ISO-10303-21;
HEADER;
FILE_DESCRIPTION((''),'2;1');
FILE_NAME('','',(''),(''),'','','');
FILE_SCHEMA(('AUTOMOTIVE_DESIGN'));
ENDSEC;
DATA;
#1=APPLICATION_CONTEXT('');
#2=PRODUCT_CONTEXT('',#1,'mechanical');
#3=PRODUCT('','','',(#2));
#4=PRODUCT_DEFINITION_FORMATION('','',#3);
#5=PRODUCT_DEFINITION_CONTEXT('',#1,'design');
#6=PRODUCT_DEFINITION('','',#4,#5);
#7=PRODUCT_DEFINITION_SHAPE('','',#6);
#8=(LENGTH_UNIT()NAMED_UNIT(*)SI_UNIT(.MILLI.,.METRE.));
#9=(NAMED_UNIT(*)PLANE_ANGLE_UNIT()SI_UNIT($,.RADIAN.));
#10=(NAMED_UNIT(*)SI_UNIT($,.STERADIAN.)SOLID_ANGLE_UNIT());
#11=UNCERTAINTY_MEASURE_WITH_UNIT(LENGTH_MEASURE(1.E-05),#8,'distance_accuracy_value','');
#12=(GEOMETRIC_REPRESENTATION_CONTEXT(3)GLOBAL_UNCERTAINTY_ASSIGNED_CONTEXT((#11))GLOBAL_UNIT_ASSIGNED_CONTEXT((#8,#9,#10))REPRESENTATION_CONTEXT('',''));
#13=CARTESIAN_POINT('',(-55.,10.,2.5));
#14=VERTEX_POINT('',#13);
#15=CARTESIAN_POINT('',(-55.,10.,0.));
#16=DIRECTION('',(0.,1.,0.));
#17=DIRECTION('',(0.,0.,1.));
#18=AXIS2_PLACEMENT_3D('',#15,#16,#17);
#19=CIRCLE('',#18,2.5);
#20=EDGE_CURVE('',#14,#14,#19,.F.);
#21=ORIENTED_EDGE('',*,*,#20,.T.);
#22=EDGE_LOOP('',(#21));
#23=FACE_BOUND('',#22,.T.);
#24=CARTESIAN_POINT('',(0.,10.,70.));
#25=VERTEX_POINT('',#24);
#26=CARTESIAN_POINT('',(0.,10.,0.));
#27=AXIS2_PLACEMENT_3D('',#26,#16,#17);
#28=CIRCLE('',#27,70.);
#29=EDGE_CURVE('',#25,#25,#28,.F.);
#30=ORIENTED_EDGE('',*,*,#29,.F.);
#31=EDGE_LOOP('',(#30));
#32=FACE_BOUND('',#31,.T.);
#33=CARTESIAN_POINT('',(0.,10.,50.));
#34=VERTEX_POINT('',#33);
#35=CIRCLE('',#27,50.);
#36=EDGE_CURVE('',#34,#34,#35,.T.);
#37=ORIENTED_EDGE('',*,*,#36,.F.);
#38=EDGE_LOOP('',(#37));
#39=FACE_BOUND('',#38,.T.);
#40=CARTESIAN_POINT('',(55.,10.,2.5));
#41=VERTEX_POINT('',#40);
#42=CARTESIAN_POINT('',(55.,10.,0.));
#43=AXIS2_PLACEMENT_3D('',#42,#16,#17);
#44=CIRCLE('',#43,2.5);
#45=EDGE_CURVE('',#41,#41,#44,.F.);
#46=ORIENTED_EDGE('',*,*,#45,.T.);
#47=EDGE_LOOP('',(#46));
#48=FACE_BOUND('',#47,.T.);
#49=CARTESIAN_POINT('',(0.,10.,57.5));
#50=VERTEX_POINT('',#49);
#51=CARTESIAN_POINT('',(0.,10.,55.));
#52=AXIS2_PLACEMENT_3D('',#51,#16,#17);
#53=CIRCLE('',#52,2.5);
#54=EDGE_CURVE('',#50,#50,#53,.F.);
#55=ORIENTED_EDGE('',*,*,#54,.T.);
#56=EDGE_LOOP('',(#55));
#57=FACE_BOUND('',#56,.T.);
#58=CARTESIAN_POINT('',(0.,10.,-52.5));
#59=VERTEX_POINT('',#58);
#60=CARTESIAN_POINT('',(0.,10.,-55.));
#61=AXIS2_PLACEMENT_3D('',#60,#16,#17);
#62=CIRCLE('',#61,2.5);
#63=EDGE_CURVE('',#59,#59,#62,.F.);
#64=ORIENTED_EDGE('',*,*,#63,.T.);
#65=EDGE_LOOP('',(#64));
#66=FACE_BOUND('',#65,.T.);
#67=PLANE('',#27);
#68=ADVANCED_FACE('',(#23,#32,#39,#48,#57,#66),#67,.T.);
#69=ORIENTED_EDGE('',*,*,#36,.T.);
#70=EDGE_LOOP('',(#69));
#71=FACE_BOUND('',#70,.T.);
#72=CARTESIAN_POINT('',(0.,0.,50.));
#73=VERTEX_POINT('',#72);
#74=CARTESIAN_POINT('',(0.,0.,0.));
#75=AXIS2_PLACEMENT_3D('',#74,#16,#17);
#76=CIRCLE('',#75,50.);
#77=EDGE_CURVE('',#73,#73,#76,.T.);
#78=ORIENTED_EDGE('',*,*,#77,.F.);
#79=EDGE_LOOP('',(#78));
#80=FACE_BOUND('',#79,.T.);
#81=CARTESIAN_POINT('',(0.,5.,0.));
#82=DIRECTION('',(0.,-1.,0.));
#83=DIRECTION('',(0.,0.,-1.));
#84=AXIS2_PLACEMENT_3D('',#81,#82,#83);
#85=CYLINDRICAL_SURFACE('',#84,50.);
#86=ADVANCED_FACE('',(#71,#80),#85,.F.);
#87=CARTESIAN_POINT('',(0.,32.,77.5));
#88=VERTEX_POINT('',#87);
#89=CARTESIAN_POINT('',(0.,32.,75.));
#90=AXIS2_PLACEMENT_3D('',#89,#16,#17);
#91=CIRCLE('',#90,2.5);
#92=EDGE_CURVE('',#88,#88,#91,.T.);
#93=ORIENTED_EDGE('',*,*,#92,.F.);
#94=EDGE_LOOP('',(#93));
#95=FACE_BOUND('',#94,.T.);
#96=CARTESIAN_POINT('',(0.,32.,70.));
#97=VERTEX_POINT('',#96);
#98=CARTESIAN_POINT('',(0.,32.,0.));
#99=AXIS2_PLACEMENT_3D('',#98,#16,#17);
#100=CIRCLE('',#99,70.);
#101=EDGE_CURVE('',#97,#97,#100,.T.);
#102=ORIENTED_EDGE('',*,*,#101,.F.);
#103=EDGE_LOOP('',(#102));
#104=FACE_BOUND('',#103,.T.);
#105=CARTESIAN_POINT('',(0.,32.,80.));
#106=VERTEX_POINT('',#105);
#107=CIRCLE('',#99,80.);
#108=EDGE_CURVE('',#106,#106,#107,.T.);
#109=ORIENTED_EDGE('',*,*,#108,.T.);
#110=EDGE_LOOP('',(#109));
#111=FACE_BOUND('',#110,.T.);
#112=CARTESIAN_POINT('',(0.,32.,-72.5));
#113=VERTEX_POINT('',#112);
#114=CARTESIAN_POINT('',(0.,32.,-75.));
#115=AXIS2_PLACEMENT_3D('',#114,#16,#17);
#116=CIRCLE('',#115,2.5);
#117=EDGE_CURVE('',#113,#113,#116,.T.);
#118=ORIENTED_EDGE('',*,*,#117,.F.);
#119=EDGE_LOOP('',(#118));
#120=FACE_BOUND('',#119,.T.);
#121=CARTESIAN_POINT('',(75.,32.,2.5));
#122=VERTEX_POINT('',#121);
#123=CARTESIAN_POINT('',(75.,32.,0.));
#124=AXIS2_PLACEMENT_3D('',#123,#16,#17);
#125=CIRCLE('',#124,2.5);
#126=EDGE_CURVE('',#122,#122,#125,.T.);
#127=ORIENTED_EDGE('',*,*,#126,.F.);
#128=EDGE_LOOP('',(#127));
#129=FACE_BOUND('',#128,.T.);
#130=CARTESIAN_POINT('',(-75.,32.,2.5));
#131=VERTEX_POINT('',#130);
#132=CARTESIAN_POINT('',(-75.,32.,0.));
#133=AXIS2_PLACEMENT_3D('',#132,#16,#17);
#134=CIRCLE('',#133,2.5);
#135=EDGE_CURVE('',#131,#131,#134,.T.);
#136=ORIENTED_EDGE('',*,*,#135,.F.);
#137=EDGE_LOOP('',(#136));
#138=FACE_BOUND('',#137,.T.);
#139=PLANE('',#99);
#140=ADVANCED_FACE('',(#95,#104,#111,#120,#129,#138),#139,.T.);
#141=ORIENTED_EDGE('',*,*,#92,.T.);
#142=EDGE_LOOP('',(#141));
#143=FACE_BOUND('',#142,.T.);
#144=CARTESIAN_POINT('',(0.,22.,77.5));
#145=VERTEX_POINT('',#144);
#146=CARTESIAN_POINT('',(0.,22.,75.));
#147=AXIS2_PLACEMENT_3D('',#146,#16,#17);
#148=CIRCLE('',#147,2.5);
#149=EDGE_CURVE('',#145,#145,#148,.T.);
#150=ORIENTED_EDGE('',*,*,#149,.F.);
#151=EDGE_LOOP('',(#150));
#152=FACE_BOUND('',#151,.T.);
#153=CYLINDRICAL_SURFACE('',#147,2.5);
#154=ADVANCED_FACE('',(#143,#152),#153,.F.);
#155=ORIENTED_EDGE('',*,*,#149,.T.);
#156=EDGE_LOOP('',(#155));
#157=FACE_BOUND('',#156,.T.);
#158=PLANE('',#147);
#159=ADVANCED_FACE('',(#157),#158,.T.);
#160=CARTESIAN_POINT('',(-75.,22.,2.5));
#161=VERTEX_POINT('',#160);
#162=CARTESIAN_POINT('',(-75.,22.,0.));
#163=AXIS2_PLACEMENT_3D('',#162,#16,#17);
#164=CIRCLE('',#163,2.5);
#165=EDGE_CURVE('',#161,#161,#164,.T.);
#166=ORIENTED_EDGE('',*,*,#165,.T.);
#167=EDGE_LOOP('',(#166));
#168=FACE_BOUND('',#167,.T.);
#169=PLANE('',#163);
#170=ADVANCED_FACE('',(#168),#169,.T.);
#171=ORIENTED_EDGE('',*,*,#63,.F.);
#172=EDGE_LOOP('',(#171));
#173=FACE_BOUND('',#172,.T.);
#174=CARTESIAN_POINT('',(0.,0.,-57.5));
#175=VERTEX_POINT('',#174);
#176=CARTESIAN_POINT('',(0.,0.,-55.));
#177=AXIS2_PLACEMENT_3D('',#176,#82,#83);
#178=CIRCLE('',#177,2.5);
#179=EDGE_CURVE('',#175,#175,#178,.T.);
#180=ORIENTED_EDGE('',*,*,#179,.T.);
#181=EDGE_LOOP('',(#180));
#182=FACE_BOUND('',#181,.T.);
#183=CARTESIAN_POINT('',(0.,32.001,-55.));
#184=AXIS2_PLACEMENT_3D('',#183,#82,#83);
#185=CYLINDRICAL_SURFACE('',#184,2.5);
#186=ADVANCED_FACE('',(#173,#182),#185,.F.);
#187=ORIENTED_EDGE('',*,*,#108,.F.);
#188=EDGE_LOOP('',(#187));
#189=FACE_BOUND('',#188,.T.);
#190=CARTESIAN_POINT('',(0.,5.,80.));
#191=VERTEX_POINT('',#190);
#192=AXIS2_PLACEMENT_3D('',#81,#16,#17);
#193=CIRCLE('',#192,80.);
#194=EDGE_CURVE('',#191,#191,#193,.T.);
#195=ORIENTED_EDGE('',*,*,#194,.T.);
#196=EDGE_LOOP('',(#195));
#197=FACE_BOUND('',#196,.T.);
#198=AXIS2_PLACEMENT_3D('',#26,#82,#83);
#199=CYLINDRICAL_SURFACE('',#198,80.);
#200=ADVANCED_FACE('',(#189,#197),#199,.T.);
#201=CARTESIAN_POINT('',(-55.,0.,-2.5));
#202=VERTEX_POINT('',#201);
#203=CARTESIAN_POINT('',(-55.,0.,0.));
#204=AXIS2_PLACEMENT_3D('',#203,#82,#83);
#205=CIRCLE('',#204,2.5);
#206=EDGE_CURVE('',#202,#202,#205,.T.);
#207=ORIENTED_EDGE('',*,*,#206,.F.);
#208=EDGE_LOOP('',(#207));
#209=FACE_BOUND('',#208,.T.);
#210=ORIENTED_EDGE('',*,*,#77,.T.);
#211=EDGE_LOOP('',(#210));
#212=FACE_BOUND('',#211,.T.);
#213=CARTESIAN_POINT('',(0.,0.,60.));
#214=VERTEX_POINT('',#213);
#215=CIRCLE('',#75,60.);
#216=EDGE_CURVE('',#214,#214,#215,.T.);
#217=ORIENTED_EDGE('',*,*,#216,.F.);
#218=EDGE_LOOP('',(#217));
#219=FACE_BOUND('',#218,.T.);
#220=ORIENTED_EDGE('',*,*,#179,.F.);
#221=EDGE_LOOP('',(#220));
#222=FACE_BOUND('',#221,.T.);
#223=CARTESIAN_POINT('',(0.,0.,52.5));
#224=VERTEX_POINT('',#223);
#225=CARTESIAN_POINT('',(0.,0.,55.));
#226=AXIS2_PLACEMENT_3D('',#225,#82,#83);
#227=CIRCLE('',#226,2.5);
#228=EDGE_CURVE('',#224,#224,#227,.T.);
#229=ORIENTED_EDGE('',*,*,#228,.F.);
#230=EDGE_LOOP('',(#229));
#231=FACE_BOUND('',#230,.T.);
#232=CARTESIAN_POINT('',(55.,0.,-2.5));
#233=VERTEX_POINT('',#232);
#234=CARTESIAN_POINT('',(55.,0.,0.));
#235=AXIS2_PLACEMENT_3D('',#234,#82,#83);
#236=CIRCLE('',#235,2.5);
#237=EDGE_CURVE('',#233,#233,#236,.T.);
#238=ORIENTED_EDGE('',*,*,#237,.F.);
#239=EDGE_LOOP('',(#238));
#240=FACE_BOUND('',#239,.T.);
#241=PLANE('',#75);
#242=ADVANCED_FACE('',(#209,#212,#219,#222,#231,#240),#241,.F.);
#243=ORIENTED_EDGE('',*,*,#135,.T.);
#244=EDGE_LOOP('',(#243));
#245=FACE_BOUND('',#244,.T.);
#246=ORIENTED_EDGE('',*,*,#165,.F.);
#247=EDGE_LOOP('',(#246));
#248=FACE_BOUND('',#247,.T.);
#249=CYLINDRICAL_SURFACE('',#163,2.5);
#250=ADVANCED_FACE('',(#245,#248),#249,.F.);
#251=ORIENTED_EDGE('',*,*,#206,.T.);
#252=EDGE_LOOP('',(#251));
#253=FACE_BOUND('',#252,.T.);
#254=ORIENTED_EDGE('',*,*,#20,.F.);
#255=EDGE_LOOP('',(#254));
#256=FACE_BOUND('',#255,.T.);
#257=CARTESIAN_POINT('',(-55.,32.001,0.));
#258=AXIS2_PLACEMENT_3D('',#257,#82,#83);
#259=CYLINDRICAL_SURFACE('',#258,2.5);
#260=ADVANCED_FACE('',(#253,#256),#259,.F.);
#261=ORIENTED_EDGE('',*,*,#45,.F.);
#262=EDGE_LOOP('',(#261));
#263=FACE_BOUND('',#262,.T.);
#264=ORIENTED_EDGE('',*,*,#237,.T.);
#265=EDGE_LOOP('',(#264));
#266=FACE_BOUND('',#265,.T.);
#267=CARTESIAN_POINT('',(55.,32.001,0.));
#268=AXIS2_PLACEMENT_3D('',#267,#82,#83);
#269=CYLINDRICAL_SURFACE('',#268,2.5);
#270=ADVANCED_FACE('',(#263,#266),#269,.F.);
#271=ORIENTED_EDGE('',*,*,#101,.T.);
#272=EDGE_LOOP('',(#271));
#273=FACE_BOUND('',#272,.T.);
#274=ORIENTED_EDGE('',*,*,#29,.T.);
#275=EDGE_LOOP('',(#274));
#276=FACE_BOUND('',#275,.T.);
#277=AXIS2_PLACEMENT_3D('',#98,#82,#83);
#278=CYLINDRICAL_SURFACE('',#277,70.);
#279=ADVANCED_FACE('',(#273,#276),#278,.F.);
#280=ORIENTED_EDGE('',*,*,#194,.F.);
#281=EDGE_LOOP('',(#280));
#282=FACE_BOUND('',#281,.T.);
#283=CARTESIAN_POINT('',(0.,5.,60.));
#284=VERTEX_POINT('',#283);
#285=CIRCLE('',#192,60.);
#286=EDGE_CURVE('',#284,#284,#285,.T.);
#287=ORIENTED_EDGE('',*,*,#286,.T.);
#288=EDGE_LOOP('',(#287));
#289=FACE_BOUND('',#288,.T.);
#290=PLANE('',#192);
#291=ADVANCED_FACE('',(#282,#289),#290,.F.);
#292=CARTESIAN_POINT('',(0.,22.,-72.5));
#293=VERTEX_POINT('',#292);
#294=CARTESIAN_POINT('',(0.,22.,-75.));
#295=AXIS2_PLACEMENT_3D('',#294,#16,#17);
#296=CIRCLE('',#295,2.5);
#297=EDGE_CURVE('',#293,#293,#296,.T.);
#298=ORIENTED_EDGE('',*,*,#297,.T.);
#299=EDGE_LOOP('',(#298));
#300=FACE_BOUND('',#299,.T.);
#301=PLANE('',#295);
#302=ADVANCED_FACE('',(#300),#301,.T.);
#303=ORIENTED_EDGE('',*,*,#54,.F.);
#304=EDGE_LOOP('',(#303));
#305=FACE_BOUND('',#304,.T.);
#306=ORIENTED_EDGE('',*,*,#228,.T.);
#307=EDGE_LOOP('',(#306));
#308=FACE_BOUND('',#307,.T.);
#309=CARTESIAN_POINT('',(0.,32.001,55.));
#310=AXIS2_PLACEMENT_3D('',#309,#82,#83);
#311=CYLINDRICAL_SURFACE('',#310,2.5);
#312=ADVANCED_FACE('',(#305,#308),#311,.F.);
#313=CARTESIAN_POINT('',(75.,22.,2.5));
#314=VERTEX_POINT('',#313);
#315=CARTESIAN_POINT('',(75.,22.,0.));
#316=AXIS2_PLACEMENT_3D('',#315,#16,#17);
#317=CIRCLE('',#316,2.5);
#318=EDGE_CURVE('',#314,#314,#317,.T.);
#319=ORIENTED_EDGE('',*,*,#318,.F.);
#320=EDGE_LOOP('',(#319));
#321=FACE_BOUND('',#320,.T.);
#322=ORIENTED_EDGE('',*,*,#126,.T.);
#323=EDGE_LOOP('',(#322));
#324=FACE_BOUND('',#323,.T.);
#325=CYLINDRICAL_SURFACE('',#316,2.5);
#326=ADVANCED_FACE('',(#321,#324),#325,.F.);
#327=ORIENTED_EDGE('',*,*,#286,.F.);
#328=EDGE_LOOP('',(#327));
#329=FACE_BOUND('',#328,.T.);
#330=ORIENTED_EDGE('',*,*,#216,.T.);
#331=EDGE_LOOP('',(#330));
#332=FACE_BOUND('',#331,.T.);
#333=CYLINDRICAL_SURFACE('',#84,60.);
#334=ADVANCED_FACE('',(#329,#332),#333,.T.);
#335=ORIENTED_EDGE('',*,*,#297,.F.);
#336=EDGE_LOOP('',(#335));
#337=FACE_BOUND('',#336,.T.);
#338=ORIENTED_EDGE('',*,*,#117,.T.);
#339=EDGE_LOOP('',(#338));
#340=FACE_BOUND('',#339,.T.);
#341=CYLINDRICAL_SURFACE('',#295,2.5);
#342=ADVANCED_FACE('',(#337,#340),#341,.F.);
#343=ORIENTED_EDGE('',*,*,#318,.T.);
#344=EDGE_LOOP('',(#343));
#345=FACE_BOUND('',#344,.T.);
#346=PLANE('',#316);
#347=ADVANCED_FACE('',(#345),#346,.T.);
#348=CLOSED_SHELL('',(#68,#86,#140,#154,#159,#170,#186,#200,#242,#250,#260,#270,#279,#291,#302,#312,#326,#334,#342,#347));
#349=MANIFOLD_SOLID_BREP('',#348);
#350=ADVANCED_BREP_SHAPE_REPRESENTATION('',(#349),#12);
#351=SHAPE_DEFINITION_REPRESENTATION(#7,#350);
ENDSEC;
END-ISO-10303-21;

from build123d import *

# Parameters (mm, degrees)
SKETCH2_R           = 60
SKETCH2_R_2         = 50
BOSS_EXTRUDE1_DEPTH = 5
SKETCH7_R           = 80
SKETCH7_R_2         = 50
BOSS_EXTRUDE2_DEPTH = 5
SKETCH8_R           = 80
SKETCH8_R_2         = 70
BOSS_EXTRUDE3_DEPTH = 22
CUT_EXTRUDE3_REACH  = 119.576
SKETCH4_R           = 2.5
SKETCH9_R           = 2.5
CUT_EXTRUDE4_DEPTH  = 10


with BuildPart() as part:
    # Sketch2 → Boss-Extrude1 (new body)
    with BuildSketch(Plane(origin=(0, 0, 0), x_dir=(1, 0, 0), z_dir=(0, 1, 0))):
        with Locations(Location((0, 0, 0), (0, 0, 270))):
            Circle(SKETCH2_R)
        with Locations(Location((0, 0, 0), (0, 0, 270))):
            Circle(SKETCH2_R_2, mode=Mode.SUBTRACT)
    extrude(amount=BOSS_EXTRUDE1_DEPTH)

    # Sketch7 → Boss-Extrude2 (add)
    with BuildSketch(Plane(origin=(0, 5, 0), x_dir=(1, 0, 0), z_dir=(0, 1, 0))):
        with Locations(Location((0, 0, 0), (0, 0, 270))):
            Circle(SKETCH7_R)
        with Locations(Location((0, 0, 0), (0, 0, 270))):
            Circle(SKETCH7_R_2, mode=Mode.SUBTRACT)
    extrude(amount=BOSS_EXTRUDE2_DEPTH)

    # Sketch8 → Boss-Extrude3 (add)
    with BuildSketch(Plane(origin=(0, 10, 0), x_dir=(1, 0, 0), z_dir=(0, 1, 0))):
        with Locations(Location((0, 0, 0), (0, 0, 270))):
            Circle(SKETCH8_R)
        with Locations(Location((0, 0, 0), (0, 0, 270))):
            Circle(SKETCH8_R_2, mode=Mode.SUBTRACT)
    extrude(amount=BOSS_EXTRUDE3_DEPTH)

    # Sketch4 → Cut-Extrude3 (cut, up to next)
    with BuildSketch(Plane.XZ, mode=Mode.PRIVATE) as cut_extrude3_sk1:
        with Locations(Location((-55, 0, 0), (0, 0, 270))):
            Circle(SKETCH4_R)
    cut_extrude3_tool1 = extrude(cut_extrude3_sk1.sketch, amount=-CUT_EXTRUDE3_REACH, mode=Mode.PRIVATE) & part.part
    # Sketch4 → Cut-Extrude3 (cut, up to next)
    with BuildSketch(Plane.XZ, mode=Mode.PRIVATE) as cut_extrude3_sk2:
        with Locations(Location((0, 55, 0), (0, 0, 270))):
            Circle(SKETCH4_R)
    cut_extrude3_tool2 = extrude(cut_extrude3_sk2.sketch, amount=-CUT_EXTRUDE3_REACH, mode=Mode.PRIVATE) & part.part
    # Sketch4 → Cut-Extrude3 (cut, up to next)
    with BuildSketch(Plane.XZ, mode=Mode.PRIVATE) as cut_extrude3_sk3:
        with Locations(Location((0, -55, 0), (0, 0, 270))):
            Circle(SKETCH4_R)
    cut_extrude3_tool3 = extrude(cut_extrude3_sk3.sketch, amount=-CUT_EXTRUDE3_REACH, mode=Mode.PRIVATE) & part.part
    # Sketch4 → Cut-Extrude3 (cut, up to next)
    with BuildSketch(Plane.XZ, mode=Mode.PRIVATE) as cut_extrude3_sk4:
        with Locations(Location((55, 0, 0), (0, 0, 270))):
            Circle(SKETCH4_R)
    cut_extrude3_tool4 = extrude(cut_extrude3_sk4.sketch, amount=-CUT_EXTRUDE3_REACH, mode=Mode.PRIVATE) & part.part
    add(cut_extrude3_tool1.solids().sort_by_distance((-55, 0, 0))[0], mode=Mode.SUBTRACT)
    add(cut_extrude3_tool2.solids().sort_by_distance((0, 0, 55))[0], mode=Mode.SUBTRACT)
    add(cut_extrude3_tool3.solids().sort_by_distance((0, 0, -55))[0], mode=Mode.SUBTRACT)
    add(cut_extrude3_tool4.solids().sort_by_distance((55, 0, 0))[0], mode=Mode.SUBTRACT)

    # Sketch9 → Cut-Extrude4 (cut)
    with BuildSketch(Plane(origin=(0, 32, 0), x_dir=(1, 0, 0), z_dir=(0, 1, 0))):
        with Locations(Location((-75, 0, 0), (0, 0, 270))):
            Circle(SKETCH9_R)
        with Locations(Location((0, 75, 0), (0, 0, 270))):
            Circle(SKETCH9_R)
        with Locations(Location((0, -75, 0), (0, 0, 270))):
            Circle(SKETCH9_R)
        with Locations(Location((75, 0, 0), (0, 0, 270))):
            Circle(SKETCH9_R)
    extrude(amount=-CUT_EXTRUDE4_DEPTH, mode=Mode.SUBTRACT)


solid = part.part
